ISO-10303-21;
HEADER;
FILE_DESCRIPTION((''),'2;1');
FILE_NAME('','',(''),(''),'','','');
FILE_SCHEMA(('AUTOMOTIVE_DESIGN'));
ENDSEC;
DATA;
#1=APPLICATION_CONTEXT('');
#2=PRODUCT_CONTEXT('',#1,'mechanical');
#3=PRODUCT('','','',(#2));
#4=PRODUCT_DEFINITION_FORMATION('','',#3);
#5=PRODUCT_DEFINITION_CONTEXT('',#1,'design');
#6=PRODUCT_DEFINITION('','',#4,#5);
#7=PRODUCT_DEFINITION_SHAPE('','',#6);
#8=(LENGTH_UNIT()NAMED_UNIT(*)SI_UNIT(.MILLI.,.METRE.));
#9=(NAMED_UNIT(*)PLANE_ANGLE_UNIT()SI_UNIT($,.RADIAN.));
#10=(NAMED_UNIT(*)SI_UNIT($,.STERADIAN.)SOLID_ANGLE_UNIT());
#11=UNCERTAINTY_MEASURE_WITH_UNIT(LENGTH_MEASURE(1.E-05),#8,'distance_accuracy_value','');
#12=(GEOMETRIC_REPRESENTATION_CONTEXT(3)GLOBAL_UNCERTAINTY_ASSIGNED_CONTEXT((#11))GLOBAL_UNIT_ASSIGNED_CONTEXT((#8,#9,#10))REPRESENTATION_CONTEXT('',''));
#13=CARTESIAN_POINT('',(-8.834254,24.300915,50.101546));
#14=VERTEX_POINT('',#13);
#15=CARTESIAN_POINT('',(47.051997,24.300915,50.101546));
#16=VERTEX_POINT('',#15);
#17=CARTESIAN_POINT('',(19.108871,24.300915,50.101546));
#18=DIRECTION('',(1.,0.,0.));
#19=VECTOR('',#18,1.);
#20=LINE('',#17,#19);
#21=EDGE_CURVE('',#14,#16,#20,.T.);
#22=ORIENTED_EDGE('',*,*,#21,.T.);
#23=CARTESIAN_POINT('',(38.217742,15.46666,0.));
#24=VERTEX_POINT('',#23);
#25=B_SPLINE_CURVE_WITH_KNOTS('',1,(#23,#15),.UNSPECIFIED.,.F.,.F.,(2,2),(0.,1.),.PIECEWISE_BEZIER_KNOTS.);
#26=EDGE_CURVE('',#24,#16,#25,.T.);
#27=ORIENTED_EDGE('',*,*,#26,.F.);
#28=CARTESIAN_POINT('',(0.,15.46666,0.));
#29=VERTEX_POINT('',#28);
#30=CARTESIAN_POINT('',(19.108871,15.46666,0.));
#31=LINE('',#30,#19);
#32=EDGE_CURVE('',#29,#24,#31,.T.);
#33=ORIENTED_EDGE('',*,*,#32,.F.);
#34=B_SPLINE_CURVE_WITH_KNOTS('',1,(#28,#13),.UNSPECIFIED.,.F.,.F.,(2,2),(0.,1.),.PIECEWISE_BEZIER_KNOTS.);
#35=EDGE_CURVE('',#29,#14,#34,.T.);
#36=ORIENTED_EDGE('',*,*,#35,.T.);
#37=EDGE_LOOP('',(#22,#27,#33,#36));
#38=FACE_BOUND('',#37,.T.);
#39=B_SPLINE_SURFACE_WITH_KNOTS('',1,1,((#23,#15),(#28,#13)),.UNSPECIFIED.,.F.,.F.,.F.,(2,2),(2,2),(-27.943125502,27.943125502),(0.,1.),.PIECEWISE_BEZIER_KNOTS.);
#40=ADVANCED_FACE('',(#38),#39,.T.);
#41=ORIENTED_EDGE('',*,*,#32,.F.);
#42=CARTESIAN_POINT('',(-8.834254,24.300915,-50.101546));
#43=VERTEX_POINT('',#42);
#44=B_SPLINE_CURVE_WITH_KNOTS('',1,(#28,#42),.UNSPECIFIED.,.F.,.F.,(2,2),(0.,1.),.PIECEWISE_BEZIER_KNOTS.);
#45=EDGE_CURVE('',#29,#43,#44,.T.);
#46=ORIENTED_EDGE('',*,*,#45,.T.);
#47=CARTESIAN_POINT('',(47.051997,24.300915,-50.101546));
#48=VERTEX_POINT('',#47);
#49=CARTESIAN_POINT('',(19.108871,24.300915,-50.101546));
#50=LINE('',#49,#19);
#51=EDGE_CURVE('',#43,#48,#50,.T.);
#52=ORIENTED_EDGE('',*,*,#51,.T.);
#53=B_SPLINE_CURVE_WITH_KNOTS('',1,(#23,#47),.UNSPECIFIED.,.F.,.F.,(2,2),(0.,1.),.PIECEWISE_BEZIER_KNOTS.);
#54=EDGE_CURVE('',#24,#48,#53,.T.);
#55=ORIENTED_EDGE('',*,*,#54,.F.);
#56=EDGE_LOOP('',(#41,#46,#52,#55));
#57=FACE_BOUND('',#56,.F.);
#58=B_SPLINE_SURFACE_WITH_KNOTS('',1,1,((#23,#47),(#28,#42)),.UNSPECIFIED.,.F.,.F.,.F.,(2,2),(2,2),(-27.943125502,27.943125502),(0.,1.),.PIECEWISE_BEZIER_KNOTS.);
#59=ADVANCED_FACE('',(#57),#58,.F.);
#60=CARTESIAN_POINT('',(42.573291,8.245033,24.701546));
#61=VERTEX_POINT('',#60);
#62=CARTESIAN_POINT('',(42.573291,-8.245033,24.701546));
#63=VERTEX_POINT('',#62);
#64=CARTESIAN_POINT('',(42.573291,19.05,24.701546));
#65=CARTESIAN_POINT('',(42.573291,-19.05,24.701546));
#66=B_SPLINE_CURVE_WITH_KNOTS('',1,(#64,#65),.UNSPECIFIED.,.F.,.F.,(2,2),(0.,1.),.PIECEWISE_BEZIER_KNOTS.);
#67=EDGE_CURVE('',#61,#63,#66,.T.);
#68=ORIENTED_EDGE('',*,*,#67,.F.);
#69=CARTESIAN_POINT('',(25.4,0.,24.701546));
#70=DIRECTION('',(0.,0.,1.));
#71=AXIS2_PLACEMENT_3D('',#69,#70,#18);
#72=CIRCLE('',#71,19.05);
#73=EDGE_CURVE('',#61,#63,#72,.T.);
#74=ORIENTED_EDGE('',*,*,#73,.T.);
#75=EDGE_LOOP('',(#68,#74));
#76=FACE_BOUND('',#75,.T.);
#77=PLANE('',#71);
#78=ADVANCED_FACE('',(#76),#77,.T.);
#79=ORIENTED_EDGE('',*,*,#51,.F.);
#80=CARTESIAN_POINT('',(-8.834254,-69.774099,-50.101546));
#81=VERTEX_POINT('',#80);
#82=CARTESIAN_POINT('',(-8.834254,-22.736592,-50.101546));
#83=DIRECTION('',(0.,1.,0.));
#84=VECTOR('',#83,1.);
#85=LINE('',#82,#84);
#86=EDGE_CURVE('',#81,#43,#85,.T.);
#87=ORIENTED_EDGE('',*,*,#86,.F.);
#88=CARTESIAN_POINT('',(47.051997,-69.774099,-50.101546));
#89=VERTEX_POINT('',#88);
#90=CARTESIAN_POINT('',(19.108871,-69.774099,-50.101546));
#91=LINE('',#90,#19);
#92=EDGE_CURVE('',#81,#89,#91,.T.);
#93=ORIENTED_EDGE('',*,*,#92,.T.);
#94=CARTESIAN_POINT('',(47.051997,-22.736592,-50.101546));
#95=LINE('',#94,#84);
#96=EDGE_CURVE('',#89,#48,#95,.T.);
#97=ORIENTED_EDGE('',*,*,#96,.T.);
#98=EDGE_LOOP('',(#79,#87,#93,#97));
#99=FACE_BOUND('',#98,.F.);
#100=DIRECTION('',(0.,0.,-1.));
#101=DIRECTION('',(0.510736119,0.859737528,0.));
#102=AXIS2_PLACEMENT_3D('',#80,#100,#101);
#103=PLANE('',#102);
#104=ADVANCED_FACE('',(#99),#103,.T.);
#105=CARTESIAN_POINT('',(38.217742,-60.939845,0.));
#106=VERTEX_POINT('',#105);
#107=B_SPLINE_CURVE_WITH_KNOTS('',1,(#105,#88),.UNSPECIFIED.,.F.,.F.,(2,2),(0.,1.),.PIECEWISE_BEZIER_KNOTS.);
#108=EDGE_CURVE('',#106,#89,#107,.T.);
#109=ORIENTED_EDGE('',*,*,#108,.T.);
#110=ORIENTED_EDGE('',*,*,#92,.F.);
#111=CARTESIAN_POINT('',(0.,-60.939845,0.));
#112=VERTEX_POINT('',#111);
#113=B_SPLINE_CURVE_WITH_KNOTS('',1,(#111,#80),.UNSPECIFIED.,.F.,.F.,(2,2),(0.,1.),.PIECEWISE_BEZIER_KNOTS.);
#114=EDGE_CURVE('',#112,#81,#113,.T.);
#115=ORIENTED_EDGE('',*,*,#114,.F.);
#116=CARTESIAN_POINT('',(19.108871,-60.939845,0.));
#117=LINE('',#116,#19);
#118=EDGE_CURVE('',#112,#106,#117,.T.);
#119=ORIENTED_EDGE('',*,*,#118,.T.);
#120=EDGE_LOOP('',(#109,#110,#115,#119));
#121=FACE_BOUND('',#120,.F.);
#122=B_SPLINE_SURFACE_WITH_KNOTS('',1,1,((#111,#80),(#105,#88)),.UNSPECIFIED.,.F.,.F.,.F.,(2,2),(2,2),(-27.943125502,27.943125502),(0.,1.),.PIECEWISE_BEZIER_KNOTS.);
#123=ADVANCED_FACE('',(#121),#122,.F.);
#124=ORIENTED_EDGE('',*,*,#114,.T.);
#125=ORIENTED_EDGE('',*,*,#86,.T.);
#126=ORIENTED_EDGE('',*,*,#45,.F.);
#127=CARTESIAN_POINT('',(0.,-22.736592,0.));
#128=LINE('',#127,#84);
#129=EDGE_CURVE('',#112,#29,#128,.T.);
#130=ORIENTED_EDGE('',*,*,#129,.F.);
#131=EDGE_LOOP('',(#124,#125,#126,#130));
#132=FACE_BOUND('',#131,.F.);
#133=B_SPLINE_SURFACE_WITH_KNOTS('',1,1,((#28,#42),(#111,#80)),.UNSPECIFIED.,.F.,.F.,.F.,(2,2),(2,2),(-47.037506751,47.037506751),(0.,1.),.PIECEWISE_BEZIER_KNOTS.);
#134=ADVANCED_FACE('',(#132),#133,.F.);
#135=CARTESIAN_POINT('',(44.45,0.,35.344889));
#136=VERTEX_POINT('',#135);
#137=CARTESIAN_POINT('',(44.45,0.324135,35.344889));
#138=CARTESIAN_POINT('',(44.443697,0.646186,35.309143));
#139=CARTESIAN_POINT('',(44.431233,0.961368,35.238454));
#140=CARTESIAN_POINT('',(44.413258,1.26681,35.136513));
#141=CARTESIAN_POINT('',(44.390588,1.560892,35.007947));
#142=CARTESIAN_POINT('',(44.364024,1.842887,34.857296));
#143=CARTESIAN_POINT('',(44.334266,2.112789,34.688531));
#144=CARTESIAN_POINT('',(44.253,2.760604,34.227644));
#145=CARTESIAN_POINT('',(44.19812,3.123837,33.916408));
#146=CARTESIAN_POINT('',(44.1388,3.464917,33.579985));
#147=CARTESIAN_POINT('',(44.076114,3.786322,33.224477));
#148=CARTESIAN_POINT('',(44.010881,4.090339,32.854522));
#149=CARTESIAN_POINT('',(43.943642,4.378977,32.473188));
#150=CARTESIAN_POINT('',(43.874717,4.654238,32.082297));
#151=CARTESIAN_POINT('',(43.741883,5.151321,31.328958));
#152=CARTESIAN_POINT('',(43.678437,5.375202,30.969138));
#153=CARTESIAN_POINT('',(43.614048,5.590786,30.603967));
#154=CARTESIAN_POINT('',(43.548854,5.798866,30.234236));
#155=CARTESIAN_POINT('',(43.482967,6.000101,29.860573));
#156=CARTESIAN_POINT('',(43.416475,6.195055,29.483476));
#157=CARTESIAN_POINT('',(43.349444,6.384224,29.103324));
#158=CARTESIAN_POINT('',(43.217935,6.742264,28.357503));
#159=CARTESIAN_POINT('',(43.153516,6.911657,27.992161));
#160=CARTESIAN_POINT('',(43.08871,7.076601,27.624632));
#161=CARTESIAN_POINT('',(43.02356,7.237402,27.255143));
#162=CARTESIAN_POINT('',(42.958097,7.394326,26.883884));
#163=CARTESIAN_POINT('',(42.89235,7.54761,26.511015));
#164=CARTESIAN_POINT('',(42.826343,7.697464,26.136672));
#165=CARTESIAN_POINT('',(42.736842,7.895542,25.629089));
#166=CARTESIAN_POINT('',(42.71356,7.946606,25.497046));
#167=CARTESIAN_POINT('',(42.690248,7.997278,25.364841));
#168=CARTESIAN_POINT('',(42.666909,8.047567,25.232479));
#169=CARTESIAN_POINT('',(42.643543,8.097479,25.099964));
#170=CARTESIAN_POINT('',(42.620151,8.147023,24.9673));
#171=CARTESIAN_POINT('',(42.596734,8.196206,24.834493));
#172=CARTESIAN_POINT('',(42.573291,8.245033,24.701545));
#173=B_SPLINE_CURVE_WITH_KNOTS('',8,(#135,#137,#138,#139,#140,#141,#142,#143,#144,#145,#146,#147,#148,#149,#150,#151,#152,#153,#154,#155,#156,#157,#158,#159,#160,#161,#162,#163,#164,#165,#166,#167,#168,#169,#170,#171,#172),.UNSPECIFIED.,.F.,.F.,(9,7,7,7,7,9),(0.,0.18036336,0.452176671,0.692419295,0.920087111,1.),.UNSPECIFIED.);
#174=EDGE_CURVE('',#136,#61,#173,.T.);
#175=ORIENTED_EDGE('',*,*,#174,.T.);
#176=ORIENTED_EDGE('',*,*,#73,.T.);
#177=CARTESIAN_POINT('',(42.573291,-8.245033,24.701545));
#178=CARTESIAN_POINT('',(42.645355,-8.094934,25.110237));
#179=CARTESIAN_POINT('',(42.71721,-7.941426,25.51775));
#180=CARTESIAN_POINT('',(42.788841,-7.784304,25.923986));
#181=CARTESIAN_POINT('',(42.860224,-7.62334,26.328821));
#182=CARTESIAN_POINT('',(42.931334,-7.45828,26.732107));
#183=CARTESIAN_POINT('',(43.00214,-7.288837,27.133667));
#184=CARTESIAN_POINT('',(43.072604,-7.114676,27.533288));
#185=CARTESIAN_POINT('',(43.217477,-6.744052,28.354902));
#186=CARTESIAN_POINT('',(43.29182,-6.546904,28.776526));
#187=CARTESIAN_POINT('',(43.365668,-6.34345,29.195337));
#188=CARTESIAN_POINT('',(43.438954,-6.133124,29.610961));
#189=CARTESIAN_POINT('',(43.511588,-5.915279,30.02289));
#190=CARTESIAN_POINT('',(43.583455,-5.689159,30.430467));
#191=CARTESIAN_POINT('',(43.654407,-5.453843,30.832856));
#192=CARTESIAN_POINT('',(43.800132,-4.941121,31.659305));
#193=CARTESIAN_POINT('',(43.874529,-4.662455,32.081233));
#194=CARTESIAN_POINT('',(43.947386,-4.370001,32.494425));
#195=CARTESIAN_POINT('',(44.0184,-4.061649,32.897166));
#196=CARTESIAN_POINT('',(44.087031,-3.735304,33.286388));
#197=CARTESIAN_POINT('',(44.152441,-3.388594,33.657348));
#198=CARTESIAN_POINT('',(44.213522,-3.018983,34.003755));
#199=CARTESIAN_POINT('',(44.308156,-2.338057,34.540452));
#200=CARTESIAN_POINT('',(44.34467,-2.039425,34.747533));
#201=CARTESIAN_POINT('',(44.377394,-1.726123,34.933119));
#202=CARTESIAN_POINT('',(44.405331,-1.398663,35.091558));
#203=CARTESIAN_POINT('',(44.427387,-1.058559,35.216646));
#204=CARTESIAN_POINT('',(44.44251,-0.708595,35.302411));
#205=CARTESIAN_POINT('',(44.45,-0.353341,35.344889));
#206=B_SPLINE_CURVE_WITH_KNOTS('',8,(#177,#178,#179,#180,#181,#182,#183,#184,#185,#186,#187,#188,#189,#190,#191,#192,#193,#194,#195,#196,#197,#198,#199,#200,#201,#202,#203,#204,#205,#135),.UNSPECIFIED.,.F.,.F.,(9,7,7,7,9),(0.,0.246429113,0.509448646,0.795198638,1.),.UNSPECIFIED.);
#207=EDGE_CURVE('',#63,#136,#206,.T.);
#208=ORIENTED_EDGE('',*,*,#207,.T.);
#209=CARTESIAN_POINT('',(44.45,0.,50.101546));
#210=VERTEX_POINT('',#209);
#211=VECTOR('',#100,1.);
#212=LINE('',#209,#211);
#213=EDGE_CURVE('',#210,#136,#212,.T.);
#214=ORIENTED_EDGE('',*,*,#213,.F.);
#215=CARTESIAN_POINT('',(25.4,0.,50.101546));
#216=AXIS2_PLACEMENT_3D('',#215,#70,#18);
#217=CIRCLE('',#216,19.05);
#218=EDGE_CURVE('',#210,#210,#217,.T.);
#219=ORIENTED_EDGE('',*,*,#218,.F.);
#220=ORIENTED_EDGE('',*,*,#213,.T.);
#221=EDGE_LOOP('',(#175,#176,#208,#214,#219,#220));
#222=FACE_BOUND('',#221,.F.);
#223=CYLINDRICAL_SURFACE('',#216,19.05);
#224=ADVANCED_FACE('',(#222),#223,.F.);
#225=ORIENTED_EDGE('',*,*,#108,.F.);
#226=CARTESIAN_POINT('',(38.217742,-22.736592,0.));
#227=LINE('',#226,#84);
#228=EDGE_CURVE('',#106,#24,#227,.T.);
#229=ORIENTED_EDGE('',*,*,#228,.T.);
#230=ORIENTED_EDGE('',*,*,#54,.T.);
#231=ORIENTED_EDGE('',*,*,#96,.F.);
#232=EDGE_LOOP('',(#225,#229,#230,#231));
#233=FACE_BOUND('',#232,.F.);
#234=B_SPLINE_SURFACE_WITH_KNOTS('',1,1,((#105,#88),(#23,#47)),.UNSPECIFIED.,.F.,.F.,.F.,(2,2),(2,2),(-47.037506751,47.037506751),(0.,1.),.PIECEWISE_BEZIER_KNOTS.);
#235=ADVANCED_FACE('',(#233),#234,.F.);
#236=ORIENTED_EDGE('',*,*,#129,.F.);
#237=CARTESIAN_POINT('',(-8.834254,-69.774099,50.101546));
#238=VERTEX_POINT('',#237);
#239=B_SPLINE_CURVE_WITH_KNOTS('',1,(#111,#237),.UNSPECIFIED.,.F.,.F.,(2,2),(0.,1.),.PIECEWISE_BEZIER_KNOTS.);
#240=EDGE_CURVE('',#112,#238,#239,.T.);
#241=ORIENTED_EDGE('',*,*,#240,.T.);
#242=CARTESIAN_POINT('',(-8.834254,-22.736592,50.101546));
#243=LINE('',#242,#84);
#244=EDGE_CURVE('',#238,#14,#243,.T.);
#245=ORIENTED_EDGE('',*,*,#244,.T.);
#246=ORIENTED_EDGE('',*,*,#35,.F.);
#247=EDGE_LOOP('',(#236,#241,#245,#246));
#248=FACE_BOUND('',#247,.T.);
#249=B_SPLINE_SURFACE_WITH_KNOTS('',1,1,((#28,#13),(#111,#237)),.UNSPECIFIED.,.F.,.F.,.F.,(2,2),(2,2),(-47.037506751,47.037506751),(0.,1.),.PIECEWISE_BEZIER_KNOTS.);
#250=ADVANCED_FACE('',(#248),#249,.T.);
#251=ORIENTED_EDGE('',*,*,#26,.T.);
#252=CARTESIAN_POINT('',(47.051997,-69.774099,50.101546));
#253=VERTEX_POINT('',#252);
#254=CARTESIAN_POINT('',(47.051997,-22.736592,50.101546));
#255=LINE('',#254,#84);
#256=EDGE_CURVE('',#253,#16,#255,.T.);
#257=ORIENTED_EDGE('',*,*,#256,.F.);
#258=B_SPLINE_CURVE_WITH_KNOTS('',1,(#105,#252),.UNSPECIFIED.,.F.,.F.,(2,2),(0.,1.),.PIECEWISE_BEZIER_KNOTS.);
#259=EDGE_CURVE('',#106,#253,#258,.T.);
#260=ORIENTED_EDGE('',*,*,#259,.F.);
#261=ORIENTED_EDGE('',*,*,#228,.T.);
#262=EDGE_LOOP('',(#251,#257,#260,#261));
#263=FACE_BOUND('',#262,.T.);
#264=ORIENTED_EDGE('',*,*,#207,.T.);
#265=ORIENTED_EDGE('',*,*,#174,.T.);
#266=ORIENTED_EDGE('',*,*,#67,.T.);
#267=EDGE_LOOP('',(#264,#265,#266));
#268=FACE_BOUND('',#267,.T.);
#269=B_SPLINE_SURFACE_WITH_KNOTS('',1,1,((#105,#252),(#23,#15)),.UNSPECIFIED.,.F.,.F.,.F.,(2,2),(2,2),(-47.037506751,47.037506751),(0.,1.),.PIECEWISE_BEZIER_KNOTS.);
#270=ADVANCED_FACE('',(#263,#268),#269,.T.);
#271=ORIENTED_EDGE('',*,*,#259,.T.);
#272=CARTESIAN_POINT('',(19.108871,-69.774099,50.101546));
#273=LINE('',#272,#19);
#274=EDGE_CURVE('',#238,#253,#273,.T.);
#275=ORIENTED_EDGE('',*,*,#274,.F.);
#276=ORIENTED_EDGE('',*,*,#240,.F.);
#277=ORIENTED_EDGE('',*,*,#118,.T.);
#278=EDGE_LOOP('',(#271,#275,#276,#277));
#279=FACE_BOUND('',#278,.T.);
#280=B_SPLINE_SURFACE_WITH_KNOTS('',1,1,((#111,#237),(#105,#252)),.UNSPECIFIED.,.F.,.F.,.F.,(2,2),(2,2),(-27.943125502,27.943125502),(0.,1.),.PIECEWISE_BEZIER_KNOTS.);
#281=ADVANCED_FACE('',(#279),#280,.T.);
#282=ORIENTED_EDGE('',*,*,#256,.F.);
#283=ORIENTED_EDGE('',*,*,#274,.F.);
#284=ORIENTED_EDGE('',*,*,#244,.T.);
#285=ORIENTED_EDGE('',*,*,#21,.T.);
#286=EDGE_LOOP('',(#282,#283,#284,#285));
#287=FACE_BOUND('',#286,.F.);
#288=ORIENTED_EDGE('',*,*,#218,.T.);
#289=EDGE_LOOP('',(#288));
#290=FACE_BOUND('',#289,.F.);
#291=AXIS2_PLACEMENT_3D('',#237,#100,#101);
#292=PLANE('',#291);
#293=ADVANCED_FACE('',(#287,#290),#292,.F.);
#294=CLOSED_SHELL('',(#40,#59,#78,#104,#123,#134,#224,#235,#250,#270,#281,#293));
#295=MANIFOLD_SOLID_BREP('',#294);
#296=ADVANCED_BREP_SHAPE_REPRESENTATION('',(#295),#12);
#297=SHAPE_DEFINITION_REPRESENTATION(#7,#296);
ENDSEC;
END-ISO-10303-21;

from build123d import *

# Parameters (mm, degrees)
F0_W     = 38.2177424617
F0_H     = 76.4065049589
F1_DEPTH = 50.1015456393
F1_TAPER = -10
F2_R     = 19.05
F3_DEPTH = 25.4


with BuildPart() as f1:
    # F0 (on Top) → F1 (new body, symmetric)
    with BuildSketch(Plane.XY):
        with Locations((19.1088712309, -22.7365922183)):
            Rectangle(F0_W, F0_H)
    extrude(amount=F1_DEPTH, both=True, taper=F1_TAPER)

    # F2 (on face) → F3 (cut)
    with BuildSketch(Plane.XY.offset(50.1015456393)):
        with Locations((25.4, 0)):
            Circle(F2_R)
    extrude(amount=-F3_DEPTH, mode=Mode.SUBTRACT)


solid = f1.part
